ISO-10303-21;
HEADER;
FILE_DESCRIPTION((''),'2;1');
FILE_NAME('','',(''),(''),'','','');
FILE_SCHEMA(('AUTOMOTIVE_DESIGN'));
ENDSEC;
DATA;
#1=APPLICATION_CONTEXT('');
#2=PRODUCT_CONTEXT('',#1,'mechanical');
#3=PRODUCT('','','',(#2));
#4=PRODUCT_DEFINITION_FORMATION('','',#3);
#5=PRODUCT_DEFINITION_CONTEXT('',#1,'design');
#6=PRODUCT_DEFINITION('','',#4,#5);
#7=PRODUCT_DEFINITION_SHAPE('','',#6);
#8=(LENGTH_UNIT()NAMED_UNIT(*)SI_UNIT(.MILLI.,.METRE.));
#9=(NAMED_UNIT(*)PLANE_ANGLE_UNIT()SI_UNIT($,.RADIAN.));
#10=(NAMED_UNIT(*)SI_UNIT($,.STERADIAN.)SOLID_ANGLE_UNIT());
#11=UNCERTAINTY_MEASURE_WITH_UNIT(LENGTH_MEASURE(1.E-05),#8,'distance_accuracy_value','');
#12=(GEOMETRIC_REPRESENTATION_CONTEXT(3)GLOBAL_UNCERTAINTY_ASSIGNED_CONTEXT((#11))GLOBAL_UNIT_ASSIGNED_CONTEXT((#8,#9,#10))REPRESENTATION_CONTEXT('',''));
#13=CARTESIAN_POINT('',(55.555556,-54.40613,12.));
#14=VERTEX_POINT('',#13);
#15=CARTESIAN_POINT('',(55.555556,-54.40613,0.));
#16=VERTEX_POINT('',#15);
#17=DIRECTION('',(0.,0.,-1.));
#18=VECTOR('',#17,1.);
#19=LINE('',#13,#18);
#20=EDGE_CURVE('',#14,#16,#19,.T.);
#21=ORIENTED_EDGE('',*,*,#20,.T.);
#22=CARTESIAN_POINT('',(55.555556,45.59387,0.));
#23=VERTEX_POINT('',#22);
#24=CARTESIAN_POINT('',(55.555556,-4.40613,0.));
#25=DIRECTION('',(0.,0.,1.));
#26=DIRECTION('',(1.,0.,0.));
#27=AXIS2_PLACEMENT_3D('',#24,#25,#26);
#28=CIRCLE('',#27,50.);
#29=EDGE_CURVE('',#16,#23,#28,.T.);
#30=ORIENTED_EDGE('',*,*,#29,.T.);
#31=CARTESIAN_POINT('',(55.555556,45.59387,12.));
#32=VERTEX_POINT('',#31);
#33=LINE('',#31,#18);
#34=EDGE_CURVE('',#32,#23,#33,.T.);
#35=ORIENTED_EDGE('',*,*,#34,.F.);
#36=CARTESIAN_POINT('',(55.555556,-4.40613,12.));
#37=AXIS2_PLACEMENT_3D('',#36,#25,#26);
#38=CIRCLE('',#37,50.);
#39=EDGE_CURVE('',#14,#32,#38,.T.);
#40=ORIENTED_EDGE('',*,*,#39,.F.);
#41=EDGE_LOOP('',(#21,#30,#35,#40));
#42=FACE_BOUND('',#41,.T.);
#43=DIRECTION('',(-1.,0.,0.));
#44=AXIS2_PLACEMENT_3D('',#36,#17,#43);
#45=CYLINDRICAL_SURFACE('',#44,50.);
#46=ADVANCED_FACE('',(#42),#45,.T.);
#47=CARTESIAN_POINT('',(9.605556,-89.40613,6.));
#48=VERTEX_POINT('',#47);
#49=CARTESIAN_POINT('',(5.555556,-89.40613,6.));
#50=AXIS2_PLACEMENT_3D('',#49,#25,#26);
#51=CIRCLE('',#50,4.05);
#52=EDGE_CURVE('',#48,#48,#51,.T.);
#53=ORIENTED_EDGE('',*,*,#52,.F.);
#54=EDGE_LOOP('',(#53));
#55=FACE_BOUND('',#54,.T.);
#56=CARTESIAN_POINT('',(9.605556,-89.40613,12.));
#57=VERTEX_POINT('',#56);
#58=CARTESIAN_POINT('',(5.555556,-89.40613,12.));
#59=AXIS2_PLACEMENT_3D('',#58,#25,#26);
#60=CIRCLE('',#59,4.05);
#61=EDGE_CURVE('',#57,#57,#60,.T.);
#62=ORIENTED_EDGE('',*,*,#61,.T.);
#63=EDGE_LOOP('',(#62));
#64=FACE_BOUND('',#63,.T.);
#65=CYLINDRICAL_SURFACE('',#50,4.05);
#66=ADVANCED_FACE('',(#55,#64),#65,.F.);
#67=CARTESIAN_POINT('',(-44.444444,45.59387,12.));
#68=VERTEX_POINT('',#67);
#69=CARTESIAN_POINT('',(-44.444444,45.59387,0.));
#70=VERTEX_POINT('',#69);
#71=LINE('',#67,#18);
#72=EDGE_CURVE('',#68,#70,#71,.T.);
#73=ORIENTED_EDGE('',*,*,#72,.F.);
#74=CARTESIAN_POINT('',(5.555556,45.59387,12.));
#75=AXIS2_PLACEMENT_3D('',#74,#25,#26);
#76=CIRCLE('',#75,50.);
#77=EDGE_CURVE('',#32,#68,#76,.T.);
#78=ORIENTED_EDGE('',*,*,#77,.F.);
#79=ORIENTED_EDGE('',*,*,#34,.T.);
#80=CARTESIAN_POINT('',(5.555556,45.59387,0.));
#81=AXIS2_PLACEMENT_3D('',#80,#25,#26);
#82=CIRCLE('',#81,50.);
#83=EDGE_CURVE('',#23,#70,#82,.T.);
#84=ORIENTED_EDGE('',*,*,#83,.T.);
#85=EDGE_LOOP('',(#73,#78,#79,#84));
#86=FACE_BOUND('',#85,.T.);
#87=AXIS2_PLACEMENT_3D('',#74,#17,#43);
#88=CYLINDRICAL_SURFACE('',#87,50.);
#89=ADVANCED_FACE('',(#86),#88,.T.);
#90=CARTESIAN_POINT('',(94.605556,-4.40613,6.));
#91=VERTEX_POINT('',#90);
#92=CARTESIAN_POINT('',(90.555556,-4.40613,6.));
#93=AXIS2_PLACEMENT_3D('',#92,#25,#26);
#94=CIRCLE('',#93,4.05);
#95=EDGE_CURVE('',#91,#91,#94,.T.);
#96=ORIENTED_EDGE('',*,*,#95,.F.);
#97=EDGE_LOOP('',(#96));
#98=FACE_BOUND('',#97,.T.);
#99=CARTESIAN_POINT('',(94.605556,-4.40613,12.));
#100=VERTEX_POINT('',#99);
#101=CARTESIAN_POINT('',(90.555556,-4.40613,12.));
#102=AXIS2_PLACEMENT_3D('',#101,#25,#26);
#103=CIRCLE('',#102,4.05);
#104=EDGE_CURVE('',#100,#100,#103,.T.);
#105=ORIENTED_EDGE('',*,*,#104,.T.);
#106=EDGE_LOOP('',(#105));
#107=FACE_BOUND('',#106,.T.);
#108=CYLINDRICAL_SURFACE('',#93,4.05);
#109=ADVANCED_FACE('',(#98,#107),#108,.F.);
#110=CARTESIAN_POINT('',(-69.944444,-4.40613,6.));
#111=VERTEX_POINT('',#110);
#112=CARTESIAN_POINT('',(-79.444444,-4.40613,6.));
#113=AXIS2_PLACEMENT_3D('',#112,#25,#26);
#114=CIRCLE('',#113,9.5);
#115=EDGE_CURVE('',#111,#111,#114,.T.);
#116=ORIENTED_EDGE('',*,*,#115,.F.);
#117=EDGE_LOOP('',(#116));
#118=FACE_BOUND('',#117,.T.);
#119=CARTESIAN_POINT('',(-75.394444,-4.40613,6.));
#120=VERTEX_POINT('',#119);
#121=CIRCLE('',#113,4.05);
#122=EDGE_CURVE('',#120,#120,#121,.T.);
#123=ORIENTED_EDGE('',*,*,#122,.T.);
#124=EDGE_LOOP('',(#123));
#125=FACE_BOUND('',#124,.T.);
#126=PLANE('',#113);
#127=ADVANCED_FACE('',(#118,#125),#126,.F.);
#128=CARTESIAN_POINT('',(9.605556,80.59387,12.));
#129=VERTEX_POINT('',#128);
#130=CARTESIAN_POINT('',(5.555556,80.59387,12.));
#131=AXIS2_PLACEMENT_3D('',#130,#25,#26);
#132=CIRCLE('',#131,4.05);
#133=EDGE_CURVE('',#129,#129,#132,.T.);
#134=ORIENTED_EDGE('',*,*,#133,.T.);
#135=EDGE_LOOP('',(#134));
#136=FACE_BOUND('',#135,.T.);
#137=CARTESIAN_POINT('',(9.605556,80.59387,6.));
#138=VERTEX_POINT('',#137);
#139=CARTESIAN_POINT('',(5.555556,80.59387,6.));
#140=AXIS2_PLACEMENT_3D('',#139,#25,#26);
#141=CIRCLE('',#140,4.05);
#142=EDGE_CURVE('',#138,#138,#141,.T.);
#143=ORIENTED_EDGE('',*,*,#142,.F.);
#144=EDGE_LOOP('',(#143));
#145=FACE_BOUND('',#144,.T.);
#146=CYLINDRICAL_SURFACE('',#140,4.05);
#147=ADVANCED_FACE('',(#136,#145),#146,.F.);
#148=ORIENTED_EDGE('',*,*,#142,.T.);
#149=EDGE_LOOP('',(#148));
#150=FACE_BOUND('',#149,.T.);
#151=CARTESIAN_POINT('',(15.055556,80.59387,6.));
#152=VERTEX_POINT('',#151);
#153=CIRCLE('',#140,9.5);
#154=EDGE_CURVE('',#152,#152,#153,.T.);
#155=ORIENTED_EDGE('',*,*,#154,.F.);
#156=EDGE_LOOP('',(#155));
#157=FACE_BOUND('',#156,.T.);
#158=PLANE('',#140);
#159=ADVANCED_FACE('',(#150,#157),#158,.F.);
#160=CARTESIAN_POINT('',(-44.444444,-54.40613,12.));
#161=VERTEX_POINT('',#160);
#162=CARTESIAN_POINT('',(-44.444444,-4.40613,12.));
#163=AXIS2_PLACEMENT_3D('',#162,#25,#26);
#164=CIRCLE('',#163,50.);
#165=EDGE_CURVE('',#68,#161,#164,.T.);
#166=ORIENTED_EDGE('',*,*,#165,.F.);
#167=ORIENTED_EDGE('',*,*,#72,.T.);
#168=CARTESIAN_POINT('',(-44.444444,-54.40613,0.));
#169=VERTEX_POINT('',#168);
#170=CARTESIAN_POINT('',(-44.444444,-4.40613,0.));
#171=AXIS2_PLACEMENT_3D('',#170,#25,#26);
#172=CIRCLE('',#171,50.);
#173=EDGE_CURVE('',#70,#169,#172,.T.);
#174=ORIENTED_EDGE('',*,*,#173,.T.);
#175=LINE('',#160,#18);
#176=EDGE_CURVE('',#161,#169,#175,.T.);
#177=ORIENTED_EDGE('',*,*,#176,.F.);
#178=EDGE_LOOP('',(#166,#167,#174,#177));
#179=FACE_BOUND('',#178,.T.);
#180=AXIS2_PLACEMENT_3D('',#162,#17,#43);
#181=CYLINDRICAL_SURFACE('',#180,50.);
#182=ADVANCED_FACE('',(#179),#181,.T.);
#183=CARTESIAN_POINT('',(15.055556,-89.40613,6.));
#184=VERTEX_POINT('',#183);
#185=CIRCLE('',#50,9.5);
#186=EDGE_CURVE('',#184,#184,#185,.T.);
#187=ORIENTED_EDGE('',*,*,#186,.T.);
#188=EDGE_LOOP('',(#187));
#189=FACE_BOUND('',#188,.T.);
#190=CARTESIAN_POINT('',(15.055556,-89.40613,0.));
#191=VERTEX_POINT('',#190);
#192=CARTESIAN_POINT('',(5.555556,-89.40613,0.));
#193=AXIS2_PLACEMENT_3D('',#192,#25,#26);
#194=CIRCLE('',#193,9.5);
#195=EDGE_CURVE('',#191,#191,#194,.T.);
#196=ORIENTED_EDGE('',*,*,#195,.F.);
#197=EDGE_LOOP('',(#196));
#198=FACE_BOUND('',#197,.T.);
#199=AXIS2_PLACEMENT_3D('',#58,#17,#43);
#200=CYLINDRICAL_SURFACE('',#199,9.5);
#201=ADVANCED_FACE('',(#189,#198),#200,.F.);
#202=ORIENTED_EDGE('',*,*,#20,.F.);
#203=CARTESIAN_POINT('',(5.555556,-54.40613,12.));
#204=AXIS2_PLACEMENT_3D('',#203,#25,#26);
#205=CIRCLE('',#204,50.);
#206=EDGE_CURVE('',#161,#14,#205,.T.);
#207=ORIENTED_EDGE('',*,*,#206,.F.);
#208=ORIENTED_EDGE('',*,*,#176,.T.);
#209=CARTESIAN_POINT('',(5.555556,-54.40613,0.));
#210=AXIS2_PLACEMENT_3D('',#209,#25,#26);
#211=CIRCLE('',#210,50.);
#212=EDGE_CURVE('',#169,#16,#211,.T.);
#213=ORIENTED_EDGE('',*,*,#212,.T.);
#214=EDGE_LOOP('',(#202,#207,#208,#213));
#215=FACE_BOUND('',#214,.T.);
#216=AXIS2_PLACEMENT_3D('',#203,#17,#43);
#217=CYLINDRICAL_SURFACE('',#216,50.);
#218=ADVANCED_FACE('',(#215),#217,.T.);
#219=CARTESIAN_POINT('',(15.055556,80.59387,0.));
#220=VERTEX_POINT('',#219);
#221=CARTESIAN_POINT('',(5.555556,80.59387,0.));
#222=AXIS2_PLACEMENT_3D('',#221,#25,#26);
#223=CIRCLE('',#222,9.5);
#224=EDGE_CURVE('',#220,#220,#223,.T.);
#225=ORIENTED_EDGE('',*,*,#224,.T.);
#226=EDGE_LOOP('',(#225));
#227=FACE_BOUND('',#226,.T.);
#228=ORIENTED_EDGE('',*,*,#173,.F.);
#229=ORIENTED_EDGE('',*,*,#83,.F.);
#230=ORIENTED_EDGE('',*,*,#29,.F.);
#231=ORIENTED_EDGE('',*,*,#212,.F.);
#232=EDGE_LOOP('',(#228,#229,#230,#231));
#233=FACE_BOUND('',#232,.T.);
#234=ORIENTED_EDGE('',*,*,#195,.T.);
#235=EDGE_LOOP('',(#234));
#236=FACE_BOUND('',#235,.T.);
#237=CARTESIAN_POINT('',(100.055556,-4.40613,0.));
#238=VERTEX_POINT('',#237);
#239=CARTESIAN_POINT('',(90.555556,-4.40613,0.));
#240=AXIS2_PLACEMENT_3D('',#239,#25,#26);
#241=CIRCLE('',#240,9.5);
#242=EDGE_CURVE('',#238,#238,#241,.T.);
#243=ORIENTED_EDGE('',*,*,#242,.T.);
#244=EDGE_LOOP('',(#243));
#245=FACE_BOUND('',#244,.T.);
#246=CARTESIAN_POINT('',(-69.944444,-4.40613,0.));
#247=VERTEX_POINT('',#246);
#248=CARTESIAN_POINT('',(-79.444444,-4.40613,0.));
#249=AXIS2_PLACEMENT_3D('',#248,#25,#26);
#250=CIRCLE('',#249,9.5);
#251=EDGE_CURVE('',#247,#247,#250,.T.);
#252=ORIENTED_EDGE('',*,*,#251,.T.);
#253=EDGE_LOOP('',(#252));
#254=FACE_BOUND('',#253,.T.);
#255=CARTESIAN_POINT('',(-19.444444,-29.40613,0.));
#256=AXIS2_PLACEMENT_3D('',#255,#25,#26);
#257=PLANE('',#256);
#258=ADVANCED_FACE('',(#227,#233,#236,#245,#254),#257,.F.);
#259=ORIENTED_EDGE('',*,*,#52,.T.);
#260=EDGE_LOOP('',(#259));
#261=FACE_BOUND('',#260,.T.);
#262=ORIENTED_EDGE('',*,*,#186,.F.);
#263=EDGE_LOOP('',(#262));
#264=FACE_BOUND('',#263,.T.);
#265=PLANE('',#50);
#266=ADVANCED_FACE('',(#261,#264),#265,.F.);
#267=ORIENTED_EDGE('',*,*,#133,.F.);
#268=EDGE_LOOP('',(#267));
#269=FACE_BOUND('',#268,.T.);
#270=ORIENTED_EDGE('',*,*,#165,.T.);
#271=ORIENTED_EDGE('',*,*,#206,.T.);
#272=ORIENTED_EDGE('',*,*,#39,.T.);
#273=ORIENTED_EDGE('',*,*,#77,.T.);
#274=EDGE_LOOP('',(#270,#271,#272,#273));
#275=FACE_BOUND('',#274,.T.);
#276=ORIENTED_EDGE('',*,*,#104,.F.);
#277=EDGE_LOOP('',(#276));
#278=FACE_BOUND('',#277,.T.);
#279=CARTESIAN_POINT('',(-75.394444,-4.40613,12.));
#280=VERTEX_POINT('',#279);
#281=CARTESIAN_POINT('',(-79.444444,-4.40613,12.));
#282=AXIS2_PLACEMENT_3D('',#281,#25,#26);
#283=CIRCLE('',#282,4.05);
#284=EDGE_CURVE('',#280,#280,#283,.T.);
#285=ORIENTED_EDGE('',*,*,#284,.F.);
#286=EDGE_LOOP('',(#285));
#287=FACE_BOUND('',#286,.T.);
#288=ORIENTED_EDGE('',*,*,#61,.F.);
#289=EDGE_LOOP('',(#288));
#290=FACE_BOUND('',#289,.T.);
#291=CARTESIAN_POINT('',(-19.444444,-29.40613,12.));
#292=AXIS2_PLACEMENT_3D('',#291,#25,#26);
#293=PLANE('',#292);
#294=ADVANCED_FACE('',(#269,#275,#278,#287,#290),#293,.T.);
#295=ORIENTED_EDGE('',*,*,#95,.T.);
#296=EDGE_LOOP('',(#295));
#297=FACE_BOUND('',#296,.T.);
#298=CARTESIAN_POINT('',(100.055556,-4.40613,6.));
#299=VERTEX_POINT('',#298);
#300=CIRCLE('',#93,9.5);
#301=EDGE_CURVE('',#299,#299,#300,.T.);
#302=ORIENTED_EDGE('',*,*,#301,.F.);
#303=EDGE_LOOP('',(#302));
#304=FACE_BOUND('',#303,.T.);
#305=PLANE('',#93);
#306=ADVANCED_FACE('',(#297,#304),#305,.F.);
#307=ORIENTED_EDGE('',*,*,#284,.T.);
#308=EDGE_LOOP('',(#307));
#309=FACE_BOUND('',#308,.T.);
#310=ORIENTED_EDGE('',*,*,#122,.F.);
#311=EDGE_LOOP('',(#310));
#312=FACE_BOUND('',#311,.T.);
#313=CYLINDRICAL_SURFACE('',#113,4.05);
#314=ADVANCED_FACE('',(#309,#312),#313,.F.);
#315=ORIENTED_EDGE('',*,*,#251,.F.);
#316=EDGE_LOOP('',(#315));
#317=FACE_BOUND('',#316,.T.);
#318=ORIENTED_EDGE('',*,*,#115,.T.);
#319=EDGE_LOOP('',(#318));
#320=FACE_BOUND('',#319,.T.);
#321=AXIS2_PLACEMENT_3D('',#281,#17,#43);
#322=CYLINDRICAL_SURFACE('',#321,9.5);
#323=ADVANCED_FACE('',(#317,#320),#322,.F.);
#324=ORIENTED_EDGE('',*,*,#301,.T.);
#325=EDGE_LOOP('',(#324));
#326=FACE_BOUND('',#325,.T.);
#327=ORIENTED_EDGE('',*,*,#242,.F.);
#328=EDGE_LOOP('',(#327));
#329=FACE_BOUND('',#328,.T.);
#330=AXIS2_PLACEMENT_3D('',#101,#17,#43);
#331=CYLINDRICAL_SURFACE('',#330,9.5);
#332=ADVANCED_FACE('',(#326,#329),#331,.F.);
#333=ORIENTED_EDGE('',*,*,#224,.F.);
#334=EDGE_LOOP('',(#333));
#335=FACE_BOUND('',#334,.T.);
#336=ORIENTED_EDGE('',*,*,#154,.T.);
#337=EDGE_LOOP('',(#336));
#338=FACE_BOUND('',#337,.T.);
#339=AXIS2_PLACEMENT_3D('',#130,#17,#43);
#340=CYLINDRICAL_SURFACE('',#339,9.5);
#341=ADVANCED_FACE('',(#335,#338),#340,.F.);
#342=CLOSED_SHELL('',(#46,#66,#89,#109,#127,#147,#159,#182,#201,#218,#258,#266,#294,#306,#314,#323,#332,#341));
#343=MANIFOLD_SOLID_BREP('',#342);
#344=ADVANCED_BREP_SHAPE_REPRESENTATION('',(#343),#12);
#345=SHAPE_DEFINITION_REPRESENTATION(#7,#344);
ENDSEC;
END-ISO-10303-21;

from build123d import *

# Parameters (mm, degrees)
IZIM1_R                     = 9.5
Y_KSEKLIK_EKSTR_ZYON1_DEPTH = 12
Y_KSEKLIK_EKSTR_ZYON2_START = -6
IZIM2_R                     = 9.5
IZIM2_R_2                   = 4.05
Y_KSEKLIK_EKSTR_ZYON2_DEPTH = 6


with BuildPart() as part:
    # Çizim1 → Yükseklik-Ekstrüzyon1 (new body)
    with BuildSketch(Plane.XY):
        with BuildLine():
            ThreePointArc((55.555555556, 45.593869732), (5.555555556, 95.593869732), (-44.444444444, 45.593869732))
            ThreePointArc((-44.444444444, 45.593869732), (-94.444444444, -4.406130268), (-44.444444444, -54.406130268))
            ThreePointArc((-44.444444444, -54.406130268), (5.555555556, -104.406130268), (55.555555556, -54.406130268))
            ThreePointArc((55.555555556, -54.406130268), (105.555555556, -4.406130268), (55.555555556, 45.593869732))
        make_face()
        with Locations((-79.444444444, -4.406130268)):
            Circle(IZIM1_R, mode=Mode.SUBTRACT)
        with Locations((5.555555556, 80.593869732)):
            Circle(IZIM1_R, mode=Mode.SUBTRACT)
        with Locations((90.555555556, -4.406130268)):
            Circle(IZIM1_R, mode=Mode.SUBTRACT)
        with Locations((5.555555556, -89.406130268)):
            Circle(IZIM1_R, mode=Mode.SUBTRACT)
    extrude(amount=Y_KSEKLIK_EKSTR_ZYON1_DEPTH)

    # Çizim2 → Yükseklik-Ekstrüzyon2 (add)
    # profile 1 of 4: a face of its own
    with BuildSketch(Plane.XY.offset(12).offset(Y_KSEKLIK_EKSTR_ZYON2_START)):
        with Locations((5.555555556, 80.593869732)):
            Circle(IZIM2_R)
        with Locations((5.555555556, 80.593869732)):
            Circle(IZIM2_R_2, mode=Mode.SUBTRACT)
    # profile 2 of 4: a face of its own
    with BuildSketch(Plane.XY.offset(12).offset(Y_KSEKLIK_EKSTR_ZYON2_START)):
        with Locations((90.555555556, -4.406130268)):
            Circle(IZIM2_R)
        with Locations((90.555555556, -4.406130268)):
            Circle(IZIM2_R_2, mode=Mode.SUBTRACT)
    # profile 3 of 4: a face of its own
    with BuildSketch(Plane.XY.offset(12).offset(Y_KSEKLIK_EKSTR_ZYON2_START)):
        with Locations((5.555555556, -89.406130268)):
            Circle(IZIM2_R)
        with Locations((5.555555556, -89.406130268)):
            Circle(IZIM2_R_2, mode=Mode.SUBTRACT)
    # profile 4 of 4: a face of its own
    with BuildSketch(Plane.XY.offset(12).offset(Y_KSEKLIK_EKSTR_ZYON2_START)):
        with Locations((-79.444444444, -4.406130268)):
            Circle(IZIM2_R)
        with Locations((-79.444444444, -4.406130268)):
            Circle(IZIM2_R_2, mode=Mode.SUBTRACT)
    extrude(amount=Y_KSEKLIK_EKSTR_ZYON2_DEPTH)


solid = part.part
